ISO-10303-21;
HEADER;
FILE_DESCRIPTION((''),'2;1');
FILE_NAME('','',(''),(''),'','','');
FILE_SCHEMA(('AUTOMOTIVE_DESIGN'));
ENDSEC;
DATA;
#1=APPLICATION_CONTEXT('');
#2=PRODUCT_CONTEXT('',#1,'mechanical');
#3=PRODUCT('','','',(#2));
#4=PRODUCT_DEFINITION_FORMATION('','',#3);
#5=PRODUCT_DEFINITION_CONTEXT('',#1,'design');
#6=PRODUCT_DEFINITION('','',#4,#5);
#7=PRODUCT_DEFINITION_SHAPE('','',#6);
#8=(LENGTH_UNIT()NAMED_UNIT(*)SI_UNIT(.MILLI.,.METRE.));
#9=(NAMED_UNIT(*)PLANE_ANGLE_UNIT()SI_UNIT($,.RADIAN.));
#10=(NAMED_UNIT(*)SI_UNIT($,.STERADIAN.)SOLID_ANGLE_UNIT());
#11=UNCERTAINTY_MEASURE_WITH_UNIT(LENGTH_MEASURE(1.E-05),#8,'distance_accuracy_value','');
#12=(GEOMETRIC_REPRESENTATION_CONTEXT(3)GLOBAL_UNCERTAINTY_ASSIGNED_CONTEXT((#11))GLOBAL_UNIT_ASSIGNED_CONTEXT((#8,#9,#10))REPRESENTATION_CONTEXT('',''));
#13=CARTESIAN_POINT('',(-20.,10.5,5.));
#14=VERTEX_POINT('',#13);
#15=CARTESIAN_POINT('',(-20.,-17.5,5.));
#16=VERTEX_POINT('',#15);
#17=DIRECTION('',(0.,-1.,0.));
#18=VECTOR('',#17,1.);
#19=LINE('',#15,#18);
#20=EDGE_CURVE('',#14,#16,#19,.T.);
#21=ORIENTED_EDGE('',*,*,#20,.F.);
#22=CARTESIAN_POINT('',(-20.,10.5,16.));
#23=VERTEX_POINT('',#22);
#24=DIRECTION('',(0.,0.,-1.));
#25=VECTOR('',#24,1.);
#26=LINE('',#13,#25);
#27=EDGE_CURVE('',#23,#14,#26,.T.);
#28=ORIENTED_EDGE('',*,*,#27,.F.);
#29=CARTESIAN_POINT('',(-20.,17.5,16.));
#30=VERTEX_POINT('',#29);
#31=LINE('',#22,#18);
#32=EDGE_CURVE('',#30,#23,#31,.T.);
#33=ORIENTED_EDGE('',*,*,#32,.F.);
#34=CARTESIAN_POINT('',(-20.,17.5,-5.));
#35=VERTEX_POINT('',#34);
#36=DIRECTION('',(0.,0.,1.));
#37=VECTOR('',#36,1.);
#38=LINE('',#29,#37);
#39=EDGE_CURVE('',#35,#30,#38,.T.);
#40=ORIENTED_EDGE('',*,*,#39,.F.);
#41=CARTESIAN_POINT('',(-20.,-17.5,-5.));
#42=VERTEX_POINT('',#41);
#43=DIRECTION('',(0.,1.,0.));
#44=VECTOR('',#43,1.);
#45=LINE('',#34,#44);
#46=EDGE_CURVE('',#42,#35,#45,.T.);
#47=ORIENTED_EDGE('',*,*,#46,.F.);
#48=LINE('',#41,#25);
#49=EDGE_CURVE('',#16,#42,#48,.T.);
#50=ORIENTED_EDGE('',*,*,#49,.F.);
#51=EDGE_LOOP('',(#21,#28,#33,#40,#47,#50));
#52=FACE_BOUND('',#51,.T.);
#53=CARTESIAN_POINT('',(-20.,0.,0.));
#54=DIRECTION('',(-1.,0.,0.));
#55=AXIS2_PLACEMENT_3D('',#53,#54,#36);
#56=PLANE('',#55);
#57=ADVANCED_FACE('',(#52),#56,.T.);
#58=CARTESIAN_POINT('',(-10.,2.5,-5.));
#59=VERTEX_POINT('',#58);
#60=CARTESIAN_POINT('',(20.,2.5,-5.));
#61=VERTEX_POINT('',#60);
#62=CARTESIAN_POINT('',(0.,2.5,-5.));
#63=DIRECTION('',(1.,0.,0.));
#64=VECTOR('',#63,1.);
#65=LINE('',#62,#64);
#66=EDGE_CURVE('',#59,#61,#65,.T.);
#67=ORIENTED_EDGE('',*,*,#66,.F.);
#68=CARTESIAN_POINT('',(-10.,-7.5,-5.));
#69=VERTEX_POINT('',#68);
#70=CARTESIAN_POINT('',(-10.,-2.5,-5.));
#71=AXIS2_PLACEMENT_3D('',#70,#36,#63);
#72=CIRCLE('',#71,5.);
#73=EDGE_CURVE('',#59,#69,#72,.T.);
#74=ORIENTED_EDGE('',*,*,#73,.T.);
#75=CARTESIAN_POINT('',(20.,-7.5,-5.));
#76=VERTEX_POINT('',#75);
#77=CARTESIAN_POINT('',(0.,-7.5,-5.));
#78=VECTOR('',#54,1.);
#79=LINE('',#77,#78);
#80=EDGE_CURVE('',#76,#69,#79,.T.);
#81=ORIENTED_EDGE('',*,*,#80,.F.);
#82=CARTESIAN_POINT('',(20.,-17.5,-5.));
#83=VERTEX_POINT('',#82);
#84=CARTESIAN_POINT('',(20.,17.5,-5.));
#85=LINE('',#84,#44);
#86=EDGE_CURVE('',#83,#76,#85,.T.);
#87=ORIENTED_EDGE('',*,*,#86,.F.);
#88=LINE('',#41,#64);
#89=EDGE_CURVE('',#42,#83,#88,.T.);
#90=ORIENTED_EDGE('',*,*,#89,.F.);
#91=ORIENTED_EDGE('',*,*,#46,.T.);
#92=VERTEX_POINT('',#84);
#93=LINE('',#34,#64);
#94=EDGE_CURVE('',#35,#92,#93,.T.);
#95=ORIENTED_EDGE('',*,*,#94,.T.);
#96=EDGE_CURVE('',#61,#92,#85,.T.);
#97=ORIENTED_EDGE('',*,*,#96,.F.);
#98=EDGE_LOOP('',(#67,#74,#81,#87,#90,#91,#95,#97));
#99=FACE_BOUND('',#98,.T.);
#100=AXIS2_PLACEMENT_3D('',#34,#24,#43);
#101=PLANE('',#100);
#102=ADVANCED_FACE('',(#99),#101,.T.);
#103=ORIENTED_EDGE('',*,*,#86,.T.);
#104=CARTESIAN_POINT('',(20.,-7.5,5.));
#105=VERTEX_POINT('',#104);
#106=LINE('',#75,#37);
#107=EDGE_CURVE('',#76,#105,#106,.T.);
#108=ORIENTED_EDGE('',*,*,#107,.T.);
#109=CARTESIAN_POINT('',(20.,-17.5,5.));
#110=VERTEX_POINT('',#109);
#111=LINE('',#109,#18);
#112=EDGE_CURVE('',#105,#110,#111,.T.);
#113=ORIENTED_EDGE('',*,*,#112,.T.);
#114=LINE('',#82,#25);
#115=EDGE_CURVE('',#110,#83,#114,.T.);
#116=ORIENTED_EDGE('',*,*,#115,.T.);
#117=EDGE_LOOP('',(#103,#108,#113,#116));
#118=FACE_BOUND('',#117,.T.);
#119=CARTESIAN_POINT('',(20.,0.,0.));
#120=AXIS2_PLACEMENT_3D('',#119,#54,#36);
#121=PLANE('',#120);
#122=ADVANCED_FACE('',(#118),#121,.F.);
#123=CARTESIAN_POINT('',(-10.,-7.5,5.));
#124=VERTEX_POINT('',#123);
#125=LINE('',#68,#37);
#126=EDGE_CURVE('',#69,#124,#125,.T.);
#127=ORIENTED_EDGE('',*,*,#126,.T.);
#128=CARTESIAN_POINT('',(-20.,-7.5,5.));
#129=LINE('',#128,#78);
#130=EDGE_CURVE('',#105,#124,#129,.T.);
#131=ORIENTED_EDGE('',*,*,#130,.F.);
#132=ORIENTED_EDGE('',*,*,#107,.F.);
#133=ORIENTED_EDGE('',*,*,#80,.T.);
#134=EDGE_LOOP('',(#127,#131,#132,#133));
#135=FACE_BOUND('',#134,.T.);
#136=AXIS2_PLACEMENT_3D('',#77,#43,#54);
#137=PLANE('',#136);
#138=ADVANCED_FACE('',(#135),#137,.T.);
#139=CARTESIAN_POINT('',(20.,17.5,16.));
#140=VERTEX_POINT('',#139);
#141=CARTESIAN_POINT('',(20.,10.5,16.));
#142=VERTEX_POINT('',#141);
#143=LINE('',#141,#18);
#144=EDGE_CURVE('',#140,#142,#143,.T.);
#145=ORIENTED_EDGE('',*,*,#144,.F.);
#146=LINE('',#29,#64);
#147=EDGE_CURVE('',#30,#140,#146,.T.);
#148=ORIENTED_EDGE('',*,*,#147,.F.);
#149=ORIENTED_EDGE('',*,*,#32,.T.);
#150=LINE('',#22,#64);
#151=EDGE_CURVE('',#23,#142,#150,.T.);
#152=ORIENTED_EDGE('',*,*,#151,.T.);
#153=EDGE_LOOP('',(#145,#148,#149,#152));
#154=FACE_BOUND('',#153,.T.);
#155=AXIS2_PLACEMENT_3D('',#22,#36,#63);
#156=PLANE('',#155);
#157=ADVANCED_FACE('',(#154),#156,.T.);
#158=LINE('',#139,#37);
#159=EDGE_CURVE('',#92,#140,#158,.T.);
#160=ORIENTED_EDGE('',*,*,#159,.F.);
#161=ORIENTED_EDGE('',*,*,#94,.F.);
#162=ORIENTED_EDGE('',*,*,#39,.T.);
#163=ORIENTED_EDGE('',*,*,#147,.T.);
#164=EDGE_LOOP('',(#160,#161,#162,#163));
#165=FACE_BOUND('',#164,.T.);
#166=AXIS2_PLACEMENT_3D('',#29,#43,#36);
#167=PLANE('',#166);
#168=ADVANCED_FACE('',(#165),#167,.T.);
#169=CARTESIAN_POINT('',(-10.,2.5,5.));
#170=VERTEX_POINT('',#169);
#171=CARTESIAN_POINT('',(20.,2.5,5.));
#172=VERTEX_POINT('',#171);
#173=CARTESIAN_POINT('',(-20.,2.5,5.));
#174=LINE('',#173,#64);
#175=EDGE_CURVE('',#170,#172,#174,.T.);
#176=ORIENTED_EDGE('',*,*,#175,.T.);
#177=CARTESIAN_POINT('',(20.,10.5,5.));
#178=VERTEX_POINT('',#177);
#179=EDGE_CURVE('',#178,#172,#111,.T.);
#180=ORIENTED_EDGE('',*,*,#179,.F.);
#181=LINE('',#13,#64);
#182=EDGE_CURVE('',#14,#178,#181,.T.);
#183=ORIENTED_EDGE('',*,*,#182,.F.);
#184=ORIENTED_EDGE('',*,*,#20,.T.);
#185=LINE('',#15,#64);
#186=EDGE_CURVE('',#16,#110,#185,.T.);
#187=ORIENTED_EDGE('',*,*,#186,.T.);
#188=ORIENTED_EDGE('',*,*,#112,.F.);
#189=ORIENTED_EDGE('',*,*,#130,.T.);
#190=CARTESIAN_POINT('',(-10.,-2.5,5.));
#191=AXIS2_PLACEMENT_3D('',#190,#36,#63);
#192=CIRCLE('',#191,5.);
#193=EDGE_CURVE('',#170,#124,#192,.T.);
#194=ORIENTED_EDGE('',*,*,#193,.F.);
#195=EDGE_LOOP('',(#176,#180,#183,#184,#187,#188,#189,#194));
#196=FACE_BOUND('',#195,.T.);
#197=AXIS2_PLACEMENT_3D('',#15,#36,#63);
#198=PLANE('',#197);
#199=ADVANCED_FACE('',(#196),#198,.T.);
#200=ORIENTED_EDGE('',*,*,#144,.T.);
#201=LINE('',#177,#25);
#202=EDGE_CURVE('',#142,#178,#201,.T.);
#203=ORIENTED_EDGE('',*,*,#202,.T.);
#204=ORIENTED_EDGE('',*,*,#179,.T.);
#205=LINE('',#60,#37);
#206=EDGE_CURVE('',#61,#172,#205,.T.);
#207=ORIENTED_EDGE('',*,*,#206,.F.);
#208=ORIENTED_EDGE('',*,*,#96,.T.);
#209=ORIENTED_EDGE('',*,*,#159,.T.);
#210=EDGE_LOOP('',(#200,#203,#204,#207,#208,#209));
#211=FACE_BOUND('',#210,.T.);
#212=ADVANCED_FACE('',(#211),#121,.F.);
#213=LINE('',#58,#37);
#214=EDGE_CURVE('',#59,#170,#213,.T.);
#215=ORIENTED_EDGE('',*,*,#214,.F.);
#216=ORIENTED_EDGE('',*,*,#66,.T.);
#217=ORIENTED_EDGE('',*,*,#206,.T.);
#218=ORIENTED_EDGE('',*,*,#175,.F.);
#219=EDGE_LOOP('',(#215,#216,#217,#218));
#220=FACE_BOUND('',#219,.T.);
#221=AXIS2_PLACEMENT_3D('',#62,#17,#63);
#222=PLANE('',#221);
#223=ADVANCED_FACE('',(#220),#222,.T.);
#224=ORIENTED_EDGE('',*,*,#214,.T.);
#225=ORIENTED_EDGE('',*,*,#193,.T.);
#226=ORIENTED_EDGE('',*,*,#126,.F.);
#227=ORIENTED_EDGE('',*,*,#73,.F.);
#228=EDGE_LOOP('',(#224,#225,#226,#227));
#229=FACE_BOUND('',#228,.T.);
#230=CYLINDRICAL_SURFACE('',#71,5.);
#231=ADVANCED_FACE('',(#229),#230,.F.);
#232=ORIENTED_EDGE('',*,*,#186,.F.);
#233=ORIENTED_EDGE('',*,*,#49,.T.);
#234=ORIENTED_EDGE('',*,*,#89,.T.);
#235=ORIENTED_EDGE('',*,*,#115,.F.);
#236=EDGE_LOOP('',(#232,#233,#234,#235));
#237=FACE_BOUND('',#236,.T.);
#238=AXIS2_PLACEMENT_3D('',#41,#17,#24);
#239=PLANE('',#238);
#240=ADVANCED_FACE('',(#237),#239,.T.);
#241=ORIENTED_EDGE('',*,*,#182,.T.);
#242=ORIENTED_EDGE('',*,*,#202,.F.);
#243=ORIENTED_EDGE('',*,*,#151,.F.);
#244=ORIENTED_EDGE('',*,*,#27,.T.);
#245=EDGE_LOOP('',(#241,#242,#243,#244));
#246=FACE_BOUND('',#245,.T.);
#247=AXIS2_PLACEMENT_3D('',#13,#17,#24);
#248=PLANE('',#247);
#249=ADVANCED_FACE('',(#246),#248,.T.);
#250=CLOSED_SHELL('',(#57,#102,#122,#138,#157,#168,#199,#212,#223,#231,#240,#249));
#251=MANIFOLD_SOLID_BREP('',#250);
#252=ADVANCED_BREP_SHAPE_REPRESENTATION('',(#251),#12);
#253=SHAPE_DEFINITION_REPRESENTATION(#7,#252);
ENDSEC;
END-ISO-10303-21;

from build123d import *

# Parameters (mm, degrees)
BOSS_EXTRUDE1_DEPTH      = 20
BOSS_EXTRUDE1_DEPTH_BACK = 20
CUT_EXTRUDE1_DEPTH       = 32.020154738
CUT_EXTRUDE1_DEPTH_BACK  = 32.020154738


with BuildPart() as part:
    # Sketch1 → Boss-Extrude1 (new, two sides: drawn at the far end of the back side and taken through both)
    with BuildSketch(Plane(origin=(0, 0, 0), x_dir=(0, 0, -1), z_dir=(1, 0, 0)).offset(-BOSS_EXTRUDE1_DEPTH_BACK)):
        Polygon((-16, 17.5), (5, 17.5), (5, -17.5), (-5, -17.5), (-5, 10.5), (-16, 10.5), align=None)
    extrude(amount=BOSS_EXTRUDE1_DEPTH + BOSS_EXTRUDE1_DEPTH_BACK)

    # Sketch2 → Cut-Extrude1 (cut, two sides: drawn at the far end of the back side and taken through both)
    with BuildSketch(Plane.XY.offset(-CUT_EXTRUDE1_DEPTH_BACK)):
        with BuildLine():
            Line((20, 2.5), (-10, 2.5))
            ThreePointArc((-10, 2.5), (-15, -2.5), (-10, -7.5))
            Line((-10, -7.5), (20, -7.5))
            Line((20, -7.5), (20, 2.5))
        make_face()
    extrude(amount=CUT_EXTRUDE1_DEPTH + CUT_EXTRUDE1_DEPTH_BACK, mode=Mode.SUBTRACT)


solid = part.part
